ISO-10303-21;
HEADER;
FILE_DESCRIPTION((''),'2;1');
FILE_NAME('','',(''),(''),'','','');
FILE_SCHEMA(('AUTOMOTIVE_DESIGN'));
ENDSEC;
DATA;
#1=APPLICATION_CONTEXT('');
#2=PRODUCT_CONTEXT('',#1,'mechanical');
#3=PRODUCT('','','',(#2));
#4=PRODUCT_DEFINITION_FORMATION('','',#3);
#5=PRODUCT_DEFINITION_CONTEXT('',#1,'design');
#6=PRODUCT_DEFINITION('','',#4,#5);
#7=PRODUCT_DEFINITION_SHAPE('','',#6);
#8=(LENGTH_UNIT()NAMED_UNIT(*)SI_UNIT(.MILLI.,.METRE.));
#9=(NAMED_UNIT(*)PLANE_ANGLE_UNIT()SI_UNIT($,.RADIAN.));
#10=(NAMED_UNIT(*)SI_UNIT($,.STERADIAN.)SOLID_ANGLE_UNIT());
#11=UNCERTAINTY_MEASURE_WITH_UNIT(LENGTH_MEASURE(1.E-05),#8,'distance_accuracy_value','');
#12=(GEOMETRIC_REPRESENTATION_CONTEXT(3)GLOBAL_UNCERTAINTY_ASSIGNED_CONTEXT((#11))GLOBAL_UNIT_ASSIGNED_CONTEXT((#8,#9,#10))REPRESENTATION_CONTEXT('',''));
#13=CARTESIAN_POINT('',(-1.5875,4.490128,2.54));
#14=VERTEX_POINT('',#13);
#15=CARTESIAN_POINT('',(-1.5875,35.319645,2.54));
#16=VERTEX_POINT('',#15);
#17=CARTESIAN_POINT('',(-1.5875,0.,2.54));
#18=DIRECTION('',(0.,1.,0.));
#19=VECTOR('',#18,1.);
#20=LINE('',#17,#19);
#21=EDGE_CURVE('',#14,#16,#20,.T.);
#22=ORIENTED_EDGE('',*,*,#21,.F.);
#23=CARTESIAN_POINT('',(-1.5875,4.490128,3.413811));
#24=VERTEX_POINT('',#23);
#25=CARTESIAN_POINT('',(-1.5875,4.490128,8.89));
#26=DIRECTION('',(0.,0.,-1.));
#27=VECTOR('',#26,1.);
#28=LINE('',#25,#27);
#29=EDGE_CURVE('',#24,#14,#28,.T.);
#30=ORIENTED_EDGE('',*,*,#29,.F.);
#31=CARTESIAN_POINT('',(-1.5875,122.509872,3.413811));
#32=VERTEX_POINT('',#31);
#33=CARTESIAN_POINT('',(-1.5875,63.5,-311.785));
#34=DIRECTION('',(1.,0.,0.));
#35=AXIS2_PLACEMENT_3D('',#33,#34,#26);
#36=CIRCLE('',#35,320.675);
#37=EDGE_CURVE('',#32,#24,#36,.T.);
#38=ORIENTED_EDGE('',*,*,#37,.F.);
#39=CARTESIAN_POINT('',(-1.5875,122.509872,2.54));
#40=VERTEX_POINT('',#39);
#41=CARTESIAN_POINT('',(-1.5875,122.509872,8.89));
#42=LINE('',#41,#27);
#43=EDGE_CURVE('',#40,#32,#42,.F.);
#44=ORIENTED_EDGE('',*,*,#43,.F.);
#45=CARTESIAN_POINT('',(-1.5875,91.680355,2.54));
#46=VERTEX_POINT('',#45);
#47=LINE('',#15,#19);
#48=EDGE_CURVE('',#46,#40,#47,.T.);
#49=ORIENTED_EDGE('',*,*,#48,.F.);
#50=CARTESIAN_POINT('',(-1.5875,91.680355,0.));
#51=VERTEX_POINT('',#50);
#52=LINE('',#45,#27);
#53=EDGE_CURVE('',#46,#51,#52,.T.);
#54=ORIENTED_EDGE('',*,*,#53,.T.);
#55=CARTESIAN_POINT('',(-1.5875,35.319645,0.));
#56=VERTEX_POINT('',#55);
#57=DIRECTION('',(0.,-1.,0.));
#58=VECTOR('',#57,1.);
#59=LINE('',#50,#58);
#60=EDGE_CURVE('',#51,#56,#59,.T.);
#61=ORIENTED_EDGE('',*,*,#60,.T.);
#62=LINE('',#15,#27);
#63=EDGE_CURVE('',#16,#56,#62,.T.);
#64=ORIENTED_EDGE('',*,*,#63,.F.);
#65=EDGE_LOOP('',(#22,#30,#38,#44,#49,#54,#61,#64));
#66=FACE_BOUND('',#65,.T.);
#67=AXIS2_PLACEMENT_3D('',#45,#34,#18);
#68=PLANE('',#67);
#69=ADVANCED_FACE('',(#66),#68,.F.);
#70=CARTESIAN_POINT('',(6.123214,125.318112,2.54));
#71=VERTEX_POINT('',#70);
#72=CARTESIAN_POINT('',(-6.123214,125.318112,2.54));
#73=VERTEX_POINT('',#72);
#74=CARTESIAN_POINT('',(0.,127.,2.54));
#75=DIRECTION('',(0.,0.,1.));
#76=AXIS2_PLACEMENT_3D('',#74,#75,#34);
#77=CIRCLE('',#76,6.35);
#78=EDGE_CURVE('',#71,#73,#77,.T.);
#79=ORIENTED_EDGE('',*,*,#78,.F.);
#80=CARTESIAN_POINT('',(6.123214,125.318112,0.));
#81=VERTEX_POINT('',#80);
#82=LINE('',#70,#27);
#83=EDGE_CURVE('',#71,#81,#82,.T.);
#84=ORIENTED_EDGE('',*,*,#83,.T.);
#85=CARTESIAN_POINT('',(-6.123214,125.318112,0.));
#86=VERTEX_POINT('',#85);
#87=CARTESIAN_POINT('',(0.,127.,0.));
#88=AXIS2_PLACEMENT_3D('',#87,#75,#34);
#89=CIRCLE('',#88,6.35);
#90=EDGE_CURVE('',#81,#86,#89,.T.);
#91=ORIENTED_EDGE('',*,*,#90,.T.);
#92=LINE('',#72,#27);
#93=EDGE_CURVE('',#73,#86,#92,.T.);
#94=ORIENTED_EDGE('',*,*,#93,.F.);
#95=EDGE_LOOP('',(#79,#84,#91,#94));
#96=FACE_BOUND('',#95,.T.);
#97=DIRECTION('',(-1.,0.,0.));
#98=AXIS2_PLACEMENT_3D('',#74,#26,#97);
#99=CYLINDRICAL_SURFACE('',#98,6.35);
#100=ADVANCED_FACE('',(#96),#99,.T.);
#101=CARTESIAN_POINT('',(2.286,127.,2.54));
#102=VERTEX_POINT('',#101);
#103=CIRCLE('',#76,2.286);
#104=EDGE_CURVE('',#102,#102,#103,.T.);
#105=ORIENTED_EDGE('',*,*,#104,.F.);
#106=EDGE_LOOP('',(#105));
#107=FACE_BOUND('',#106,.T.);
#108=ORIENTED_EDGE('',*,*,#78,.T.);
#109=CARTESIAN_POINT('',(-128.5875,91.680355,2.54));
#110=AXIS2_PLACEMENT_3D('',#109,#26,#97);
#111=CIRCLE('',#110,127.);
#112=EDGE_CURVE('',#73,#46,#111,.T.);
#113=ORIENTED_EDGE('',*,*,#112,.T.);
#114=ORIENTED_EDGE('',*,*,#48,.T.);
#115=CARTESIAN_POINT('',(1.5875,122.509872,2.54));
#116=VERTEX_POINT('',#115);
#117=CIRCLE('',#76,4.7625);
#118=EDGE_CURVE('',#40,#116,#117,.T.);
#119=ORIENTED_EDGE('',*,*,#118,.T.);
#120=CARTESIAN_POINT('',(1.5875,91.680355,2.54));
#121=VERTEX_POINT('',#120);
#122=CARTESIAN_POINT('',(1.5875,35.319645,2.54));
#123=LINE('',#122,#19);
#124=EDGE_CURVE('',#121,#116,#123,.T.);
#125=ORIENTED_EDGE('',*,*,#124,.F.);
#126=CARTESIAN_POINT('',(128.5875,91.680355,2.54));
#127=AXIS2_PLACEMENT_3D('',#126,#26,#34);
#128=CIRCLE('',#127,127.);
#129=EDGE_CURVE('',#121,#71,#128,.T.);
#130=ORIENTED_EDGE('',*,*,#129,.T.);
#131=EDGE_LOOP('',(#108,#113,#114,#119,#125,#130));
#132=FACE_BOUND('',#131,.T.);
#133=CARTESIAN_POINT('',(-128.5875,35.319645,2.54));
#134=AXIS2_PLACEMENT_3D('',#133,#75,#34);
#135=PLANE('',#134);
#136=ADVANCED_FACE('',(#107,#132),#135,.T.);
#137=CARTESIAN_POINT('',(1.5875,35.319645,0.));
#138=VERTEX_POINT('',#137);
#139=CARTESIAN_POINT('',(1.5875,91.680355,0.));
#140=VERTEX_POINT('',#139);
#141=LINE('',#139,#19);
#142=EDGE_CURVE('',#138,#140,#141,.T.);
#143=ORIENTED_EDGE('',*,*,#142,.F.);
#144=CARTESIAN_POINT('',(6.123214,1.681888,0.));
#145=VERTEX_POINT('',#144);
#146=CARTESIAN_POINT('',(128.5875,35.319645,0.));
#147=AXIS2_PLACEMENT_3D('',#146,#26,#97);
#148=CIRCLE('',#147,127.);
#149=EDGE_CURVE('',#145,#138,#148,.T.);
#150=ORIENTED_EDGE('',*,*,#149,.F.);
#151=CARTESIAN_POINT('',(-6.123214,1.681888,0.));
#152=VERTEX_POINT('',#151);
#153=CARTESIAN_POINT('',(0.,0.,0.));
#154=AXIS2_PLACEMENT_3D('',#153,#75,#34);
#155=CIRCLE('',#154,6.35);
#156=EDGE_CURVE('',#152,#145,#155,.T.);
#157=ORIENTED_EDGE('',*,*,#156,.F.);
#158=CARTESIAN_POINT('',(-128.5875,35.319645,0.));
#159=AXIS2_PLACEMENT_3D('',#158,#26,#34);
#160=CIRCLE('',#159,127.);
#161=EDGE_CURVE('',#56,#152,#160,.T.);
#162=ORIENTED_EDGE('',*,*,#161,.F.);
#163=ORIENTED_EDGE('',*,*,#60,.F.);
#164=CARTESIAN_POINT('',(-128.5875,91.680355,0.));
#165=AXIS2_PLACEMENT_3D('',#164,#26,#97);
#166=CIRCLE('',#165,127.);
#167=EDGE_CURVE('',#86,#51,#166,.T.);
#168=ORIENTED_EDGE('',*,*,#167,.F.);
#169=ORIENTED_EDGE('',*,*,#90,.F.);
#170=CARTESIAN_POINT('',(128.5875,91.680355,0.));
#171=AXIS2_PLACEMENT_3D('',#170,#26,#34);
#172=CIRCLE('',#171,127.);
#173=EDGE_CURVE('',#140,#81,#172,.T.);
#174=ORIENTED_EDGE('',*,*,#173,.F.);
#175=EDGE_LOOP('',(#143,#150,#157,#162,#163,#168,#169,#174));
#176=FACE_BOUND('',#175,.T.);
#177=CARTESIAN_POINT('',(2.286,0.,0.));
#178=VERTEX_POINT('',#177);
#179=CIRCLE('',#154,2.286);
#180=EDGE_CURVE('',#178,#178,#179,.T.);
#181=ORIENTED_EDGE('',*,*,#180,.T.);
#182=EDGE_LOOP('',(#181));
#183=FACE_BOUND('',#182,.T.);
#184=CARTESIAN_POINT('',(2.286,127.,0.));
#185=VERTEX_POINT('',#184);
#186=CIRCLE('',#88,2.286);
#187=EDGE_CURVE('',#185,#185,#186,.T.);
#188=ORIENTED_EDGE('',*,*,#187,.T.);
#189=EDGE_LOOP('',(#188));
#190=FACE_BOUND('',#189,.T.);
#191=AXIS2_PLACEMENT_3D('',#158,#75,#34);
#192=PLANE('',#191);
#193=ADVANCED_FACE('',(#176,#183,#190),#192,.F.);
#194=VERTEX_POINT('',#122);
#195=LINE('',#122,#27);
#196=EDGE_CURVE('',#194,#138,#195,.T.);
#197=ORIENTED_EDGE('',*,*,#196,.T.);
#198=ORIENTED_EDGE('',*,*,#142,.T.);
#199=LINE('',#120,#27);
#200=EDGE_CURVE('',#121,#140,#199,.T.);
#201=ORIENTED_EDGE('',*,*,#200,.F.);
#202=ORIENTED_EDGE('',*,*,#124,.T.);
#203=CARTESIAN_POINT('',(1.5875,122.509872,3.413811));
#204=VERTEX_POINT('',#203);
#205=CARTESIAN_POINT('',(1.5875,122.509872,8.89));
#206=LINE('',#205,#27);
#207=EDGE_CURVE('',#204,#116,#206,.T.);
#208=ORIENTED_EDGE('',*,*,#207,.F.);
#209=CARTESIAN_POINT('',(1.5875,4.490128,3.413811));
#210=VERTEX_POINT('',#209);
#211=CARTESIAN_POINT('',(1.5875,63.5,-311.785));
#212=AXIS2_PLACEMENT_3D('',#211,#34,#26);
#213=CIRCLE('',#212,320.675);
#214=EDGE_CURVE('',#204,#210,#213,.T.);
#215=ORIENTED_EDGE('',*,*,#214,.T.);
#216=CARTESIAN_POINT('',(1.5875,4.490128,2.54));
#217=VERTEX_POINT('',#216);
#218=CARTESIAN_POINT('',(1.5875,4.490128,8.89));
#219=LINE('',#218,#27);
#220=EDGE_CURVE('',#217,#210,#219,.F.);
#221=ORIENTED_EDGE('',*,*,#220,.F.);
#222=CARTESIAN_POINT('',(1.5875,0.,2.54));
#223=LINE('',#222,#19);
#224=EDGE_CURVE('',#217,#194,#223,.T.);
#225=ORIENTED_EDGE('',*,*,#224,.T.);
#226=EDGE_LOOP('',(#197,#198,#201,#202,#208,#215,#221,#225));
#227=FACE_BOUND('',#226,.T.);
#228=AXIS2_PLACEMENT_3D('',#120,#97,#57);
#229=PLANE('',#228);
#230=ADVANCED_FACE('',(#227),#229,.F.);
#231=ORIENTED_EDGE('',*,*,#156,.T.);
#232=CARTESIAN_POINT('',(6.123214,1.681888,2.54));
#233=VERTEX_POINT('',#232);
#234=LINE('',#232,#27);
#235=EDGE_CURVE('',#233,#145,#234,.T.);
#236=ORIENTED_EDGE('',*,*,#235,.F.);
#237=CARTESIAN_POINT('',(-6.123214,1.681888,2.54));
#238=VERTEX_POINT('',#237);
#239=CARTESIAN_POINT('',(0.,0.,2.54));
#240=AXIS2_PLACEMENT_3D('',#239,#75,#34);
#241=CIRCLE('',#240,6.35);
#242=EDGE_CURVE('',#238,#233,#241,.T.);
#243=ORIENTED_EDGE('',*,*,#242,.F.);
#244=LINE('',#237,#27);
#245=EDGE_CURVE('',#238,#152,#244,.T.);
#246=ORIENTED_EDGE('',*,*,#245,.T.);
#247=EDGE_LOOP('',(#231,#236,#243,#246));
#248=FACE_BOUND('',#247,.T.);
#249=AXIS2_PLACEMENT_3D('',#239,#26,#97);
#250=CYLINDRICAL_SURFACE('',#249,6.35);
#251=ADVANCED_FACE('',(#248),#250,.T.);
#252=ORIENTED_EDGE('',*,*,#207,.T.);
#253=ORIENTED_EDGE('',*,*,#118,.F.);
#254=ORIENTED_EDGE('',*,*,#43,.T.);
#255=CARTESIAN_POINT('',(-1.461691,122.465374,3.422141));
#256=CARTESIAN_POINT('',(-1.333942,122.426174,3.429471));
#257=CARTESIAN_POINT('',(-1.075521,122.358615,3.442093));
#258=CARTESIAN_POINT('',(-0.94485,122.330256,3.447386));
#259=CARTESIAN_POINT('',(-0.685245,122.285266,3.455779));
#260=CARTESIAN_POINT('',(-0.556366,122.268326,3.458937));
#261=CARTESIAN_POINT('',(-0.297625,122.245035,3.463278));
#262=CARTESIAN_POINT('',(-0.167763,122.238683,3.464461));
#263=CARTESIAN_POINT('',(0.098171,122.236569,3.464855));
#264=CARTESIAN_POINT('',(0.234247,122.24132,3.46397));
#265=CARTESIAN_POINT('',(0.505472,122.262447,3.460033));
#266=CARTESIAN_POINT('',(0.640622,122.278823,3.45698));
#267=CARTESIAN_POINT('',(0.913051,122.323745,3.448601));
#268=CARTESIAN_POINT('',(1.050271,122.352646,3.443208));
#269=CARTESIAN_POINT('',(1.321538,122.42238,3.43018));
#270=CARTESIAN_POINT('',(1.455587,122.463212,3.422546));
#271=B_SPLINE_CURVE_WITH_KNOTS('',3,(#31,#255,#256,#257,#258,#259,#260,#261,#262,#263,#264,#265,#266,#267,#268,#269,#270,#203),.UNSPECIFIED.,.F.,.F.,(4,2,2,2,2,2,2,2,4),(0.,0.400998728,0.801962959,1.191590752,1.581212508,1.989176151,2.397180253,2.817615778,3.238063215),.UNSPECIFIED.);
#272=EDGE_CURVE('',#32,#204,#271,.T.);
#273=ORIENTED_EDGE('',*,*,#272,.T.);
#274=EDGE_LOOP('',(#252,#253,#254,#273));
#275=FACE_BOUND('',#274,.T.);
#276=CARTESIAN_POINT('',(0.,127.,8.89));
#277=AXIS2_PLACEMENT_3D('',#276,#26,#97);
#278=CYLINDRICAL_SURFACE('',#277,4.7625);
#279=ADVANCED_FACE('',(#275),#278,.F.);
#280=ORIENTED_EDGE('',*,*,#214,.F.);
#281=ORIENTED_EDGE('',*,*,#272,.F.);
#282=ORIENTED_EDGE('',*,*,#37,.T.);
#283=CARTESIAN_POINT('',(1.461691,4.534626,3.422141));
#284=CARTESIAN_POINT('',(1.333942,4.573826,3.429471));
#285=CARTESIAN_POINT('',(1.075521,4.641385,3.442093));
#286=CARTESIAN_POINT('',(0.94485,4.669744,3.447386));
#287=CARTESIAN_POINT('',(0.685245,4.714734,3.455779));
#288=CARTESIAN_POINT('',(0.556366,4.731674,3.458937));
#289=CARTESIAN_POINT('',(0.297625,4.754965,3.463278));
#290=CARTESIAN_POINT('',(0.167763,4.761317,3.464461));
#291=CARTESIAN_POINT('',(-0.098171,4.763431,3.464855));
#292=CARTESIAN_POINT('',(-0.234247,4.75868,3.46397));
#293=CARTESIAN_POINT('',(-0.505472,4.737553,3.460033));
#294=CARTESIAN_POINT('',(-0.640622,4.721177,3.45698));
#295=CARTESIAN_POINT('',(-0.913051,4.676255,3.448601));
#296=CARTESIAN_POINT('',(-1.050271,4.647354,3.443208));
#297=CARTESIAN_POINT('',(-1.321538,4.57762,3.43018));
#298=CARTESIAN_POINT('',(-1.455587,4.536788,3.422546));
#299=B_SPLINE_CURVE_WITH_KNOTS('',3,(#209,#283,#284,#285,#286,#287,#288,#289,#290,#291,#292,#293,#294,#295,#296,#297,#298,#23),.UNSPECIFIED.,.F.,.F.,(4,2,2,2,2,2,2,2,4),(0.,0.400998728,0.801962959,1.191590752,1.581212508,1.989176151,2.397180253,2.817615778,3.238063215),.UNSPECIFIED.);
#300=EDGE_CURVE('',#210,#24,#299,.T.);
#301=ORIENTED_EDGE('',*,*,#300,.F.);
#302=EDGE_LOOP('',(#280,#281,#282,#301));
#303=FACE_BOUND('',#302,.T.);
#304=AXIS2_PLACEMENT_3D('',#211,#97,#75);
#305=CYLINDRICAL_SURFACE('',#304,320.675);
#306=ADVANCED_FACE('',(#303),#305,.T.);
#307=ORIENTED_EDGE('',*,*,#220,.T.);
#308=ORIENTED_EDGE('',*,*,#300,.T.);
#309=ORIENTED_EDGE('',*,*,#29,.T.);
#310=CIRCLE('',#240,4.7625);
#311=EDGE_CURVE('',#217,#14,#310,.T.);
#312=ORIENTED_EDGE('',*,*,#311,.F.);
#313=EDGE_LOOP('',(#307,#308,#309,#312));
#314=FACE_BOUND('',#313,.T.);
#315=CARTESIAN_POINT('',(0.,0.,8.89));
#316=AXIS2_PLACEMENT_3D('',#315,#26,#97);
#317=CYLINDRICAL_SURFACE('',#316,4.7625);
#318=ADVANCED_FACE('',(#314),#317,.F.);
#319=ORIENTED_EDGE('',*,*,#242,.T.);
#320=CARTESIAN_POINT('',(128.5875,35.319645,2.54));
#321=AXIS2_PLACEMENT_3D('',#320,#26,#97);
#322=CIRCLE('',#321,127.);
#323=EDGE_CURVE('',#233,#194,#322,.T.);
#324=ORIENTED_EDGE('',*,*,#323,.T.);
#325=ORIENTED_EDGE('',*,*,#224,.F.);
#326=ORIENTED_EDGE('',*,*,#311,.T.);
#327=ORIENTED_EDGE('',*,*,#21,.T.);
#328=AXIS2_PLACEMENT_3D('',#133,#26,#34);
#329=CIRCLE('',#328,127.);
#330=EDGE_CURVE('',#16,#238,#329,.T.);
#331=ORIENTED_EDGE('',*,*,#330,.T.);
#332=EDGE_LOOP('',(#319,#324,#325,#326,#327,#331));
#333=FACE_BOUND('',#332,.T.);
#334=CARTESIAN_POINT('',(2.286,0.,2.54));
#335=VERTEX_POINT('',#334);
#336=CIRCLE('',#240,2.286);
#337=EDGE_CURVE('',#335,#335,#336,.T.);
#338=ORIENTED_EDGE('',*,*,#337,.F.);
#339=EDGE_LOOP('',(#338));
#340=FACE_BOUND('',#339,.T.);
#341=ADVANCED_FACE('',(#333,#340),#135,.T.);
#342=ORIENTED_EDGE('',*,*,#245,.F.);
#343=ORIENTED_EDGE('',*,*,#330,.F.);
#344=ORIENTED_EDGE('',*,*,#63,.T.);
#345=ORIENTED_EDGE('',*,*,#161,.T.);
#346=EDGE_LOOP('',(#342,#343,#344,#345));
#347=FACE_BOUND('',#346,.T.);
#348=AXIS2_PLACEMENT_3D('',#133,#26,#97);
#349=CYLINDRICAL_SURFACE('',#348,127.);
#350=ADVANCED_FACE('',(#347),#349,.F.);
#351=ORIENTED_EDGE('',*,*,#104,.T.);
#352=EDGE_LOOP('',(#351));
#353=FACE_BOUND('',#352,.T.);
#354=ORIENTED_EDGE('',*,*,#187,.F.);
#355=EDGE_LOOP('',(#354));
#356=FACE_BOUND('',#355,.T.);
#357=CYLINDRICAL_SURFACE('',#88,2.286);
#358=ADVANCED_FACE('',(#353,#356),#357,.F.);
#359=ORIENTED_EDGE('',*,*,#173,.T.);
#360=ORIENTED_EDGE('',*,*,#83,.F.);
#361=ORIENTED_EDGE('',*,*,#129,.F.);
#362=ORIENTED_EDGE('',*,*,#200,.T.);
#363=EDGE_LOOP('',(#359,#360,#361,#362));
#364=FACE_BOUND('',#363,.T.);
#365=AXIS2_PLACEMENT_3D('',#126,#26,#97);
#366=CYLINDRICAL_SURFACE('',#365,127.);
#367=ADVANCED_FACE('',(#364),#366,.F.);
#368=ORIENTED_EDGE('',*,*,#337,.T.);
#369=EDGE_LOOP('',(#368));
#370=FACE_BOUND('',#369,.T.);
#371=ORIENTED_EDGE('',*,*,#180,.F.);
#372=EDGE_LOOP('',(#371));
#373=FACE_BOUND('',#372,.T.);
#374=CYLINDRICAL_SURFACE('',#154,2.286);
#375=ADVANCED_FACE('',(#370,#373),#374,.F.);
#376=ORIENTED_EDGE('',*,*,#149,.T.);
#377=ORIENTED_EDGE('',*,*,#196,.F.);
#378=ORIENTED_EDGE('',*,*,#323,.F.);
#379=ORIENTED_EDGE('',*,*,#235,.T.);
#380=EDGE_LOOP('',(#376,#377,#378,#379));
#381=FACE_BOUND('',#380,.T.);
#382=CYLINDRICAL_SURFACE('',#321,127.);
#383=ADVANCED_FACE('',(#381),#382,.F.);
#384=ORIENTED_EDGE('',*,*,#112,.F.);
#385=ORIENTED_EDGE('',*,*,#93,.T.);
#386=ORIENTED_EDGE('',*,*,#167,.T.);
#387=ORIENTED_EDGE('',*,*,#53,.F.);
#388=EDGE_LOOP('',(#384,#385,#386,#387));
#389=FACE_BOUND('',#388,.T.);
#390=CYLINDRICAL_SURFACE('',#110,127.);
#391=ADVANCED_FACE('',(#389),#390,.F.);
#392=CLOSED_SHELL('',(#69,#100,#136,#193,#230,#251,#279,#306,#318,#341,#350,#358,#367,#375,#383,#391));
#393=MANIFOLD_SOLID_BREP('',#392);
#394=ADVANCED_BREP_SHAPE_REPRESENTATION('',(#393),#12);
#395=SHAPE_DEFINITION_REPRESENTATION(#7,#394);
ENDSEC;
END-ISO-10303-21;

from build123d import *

# Parameters (mm, degrees)
BOSS_EXTRUDE1_DEPTH = 2.54
BOSS_EXTRUDE2_DEPTH = 1.5875
SKETCH4_R           = 4.7625
CUT_EXTRUDE1_DEPTH  = 134.652038892
SKETCH5_R           = 2.286
CUT_EXTRUDE2_DEPTH  = 134.652038897


with BuildPart() as part:
    # Sketch1 → Boss-Extrude1 (new body)
    with BuildSketch(Plane.XY):
        with BuildLine():
            Line((-1.5875, 91.680354705), (-1.5875, 35.319645295))
            ThreePointArc((-1.5875, 35.319645295), (-2.726536461, 18.348556433), (-6.123214286, 1.681887871))
            ThreePointArc((-6.123214286, 1.681887871), (0, -6.35), (6.123214286, 1.681887871))
            ThreePointArc((6.123214286, 1.681887871), (2.726536461, 18.348556433), (1.5875, 35.319645295))
            Line((1.5875, 35.319645295), (1.5875, 91.680354705))
            ThreePointArc((1.5875, 91.680354705), (2.726536461, 108.651443567), (6.123214286, 125.318112129))
            ThreePointArc((6.123214286, 125.318112129), (0, 133.35), (-6.123214286, 125.318112129))
            ThreePointArc((-6.123214286, 125.318112129), (-2.726536461, 108.651443567), (-1.5875, 91.680354705))
        make_face()
    extrude(amount=BOSS_EXTRUDE1_DEPTH)

    # Sketch3 → Boss-Extrude2 (add, symmetric)
    with BuildSketch(Plane(origin=(0, 0, 0), x_dir=(0, 0, -1), z_dir=(1, 0, 0))):
        with BuildLine():
            Line((-2.54, 0), (-2.54, 127))
            ThreePointArc((-2.54, 127), (-8.89, 63.5), (-2.54, 0))
        make_face()
    extrude(amount=BOSS_EXTRUDE2_DEPTH, both=True)

    # Sketch4 → Cut-Extrude1 (cut, through all)
    with BuildSketch(Plane.XY.offset(2.54)):
        Circle(SKETCH4_R)
        with Locations((0, 127)):
            Circle(SKETCH4_R)
    extrude(amount=CUT_EXTRUDE1_DEPTH, mode=Mode.SUBTRACT)

    # Sketch5 → Cut-Extrude2 (cut, through all)
    with BuildSketch(Plane.XY.offset(2.54)):
        Circle(SKETCH5_R)
        with Locations((0, 127)):
            Circle(SKETCH5_R)
    extrude(amount=-CUT_EXTRUDE2_DEPTH, mode=Mode.SUBTRACT)


solid = part.part
